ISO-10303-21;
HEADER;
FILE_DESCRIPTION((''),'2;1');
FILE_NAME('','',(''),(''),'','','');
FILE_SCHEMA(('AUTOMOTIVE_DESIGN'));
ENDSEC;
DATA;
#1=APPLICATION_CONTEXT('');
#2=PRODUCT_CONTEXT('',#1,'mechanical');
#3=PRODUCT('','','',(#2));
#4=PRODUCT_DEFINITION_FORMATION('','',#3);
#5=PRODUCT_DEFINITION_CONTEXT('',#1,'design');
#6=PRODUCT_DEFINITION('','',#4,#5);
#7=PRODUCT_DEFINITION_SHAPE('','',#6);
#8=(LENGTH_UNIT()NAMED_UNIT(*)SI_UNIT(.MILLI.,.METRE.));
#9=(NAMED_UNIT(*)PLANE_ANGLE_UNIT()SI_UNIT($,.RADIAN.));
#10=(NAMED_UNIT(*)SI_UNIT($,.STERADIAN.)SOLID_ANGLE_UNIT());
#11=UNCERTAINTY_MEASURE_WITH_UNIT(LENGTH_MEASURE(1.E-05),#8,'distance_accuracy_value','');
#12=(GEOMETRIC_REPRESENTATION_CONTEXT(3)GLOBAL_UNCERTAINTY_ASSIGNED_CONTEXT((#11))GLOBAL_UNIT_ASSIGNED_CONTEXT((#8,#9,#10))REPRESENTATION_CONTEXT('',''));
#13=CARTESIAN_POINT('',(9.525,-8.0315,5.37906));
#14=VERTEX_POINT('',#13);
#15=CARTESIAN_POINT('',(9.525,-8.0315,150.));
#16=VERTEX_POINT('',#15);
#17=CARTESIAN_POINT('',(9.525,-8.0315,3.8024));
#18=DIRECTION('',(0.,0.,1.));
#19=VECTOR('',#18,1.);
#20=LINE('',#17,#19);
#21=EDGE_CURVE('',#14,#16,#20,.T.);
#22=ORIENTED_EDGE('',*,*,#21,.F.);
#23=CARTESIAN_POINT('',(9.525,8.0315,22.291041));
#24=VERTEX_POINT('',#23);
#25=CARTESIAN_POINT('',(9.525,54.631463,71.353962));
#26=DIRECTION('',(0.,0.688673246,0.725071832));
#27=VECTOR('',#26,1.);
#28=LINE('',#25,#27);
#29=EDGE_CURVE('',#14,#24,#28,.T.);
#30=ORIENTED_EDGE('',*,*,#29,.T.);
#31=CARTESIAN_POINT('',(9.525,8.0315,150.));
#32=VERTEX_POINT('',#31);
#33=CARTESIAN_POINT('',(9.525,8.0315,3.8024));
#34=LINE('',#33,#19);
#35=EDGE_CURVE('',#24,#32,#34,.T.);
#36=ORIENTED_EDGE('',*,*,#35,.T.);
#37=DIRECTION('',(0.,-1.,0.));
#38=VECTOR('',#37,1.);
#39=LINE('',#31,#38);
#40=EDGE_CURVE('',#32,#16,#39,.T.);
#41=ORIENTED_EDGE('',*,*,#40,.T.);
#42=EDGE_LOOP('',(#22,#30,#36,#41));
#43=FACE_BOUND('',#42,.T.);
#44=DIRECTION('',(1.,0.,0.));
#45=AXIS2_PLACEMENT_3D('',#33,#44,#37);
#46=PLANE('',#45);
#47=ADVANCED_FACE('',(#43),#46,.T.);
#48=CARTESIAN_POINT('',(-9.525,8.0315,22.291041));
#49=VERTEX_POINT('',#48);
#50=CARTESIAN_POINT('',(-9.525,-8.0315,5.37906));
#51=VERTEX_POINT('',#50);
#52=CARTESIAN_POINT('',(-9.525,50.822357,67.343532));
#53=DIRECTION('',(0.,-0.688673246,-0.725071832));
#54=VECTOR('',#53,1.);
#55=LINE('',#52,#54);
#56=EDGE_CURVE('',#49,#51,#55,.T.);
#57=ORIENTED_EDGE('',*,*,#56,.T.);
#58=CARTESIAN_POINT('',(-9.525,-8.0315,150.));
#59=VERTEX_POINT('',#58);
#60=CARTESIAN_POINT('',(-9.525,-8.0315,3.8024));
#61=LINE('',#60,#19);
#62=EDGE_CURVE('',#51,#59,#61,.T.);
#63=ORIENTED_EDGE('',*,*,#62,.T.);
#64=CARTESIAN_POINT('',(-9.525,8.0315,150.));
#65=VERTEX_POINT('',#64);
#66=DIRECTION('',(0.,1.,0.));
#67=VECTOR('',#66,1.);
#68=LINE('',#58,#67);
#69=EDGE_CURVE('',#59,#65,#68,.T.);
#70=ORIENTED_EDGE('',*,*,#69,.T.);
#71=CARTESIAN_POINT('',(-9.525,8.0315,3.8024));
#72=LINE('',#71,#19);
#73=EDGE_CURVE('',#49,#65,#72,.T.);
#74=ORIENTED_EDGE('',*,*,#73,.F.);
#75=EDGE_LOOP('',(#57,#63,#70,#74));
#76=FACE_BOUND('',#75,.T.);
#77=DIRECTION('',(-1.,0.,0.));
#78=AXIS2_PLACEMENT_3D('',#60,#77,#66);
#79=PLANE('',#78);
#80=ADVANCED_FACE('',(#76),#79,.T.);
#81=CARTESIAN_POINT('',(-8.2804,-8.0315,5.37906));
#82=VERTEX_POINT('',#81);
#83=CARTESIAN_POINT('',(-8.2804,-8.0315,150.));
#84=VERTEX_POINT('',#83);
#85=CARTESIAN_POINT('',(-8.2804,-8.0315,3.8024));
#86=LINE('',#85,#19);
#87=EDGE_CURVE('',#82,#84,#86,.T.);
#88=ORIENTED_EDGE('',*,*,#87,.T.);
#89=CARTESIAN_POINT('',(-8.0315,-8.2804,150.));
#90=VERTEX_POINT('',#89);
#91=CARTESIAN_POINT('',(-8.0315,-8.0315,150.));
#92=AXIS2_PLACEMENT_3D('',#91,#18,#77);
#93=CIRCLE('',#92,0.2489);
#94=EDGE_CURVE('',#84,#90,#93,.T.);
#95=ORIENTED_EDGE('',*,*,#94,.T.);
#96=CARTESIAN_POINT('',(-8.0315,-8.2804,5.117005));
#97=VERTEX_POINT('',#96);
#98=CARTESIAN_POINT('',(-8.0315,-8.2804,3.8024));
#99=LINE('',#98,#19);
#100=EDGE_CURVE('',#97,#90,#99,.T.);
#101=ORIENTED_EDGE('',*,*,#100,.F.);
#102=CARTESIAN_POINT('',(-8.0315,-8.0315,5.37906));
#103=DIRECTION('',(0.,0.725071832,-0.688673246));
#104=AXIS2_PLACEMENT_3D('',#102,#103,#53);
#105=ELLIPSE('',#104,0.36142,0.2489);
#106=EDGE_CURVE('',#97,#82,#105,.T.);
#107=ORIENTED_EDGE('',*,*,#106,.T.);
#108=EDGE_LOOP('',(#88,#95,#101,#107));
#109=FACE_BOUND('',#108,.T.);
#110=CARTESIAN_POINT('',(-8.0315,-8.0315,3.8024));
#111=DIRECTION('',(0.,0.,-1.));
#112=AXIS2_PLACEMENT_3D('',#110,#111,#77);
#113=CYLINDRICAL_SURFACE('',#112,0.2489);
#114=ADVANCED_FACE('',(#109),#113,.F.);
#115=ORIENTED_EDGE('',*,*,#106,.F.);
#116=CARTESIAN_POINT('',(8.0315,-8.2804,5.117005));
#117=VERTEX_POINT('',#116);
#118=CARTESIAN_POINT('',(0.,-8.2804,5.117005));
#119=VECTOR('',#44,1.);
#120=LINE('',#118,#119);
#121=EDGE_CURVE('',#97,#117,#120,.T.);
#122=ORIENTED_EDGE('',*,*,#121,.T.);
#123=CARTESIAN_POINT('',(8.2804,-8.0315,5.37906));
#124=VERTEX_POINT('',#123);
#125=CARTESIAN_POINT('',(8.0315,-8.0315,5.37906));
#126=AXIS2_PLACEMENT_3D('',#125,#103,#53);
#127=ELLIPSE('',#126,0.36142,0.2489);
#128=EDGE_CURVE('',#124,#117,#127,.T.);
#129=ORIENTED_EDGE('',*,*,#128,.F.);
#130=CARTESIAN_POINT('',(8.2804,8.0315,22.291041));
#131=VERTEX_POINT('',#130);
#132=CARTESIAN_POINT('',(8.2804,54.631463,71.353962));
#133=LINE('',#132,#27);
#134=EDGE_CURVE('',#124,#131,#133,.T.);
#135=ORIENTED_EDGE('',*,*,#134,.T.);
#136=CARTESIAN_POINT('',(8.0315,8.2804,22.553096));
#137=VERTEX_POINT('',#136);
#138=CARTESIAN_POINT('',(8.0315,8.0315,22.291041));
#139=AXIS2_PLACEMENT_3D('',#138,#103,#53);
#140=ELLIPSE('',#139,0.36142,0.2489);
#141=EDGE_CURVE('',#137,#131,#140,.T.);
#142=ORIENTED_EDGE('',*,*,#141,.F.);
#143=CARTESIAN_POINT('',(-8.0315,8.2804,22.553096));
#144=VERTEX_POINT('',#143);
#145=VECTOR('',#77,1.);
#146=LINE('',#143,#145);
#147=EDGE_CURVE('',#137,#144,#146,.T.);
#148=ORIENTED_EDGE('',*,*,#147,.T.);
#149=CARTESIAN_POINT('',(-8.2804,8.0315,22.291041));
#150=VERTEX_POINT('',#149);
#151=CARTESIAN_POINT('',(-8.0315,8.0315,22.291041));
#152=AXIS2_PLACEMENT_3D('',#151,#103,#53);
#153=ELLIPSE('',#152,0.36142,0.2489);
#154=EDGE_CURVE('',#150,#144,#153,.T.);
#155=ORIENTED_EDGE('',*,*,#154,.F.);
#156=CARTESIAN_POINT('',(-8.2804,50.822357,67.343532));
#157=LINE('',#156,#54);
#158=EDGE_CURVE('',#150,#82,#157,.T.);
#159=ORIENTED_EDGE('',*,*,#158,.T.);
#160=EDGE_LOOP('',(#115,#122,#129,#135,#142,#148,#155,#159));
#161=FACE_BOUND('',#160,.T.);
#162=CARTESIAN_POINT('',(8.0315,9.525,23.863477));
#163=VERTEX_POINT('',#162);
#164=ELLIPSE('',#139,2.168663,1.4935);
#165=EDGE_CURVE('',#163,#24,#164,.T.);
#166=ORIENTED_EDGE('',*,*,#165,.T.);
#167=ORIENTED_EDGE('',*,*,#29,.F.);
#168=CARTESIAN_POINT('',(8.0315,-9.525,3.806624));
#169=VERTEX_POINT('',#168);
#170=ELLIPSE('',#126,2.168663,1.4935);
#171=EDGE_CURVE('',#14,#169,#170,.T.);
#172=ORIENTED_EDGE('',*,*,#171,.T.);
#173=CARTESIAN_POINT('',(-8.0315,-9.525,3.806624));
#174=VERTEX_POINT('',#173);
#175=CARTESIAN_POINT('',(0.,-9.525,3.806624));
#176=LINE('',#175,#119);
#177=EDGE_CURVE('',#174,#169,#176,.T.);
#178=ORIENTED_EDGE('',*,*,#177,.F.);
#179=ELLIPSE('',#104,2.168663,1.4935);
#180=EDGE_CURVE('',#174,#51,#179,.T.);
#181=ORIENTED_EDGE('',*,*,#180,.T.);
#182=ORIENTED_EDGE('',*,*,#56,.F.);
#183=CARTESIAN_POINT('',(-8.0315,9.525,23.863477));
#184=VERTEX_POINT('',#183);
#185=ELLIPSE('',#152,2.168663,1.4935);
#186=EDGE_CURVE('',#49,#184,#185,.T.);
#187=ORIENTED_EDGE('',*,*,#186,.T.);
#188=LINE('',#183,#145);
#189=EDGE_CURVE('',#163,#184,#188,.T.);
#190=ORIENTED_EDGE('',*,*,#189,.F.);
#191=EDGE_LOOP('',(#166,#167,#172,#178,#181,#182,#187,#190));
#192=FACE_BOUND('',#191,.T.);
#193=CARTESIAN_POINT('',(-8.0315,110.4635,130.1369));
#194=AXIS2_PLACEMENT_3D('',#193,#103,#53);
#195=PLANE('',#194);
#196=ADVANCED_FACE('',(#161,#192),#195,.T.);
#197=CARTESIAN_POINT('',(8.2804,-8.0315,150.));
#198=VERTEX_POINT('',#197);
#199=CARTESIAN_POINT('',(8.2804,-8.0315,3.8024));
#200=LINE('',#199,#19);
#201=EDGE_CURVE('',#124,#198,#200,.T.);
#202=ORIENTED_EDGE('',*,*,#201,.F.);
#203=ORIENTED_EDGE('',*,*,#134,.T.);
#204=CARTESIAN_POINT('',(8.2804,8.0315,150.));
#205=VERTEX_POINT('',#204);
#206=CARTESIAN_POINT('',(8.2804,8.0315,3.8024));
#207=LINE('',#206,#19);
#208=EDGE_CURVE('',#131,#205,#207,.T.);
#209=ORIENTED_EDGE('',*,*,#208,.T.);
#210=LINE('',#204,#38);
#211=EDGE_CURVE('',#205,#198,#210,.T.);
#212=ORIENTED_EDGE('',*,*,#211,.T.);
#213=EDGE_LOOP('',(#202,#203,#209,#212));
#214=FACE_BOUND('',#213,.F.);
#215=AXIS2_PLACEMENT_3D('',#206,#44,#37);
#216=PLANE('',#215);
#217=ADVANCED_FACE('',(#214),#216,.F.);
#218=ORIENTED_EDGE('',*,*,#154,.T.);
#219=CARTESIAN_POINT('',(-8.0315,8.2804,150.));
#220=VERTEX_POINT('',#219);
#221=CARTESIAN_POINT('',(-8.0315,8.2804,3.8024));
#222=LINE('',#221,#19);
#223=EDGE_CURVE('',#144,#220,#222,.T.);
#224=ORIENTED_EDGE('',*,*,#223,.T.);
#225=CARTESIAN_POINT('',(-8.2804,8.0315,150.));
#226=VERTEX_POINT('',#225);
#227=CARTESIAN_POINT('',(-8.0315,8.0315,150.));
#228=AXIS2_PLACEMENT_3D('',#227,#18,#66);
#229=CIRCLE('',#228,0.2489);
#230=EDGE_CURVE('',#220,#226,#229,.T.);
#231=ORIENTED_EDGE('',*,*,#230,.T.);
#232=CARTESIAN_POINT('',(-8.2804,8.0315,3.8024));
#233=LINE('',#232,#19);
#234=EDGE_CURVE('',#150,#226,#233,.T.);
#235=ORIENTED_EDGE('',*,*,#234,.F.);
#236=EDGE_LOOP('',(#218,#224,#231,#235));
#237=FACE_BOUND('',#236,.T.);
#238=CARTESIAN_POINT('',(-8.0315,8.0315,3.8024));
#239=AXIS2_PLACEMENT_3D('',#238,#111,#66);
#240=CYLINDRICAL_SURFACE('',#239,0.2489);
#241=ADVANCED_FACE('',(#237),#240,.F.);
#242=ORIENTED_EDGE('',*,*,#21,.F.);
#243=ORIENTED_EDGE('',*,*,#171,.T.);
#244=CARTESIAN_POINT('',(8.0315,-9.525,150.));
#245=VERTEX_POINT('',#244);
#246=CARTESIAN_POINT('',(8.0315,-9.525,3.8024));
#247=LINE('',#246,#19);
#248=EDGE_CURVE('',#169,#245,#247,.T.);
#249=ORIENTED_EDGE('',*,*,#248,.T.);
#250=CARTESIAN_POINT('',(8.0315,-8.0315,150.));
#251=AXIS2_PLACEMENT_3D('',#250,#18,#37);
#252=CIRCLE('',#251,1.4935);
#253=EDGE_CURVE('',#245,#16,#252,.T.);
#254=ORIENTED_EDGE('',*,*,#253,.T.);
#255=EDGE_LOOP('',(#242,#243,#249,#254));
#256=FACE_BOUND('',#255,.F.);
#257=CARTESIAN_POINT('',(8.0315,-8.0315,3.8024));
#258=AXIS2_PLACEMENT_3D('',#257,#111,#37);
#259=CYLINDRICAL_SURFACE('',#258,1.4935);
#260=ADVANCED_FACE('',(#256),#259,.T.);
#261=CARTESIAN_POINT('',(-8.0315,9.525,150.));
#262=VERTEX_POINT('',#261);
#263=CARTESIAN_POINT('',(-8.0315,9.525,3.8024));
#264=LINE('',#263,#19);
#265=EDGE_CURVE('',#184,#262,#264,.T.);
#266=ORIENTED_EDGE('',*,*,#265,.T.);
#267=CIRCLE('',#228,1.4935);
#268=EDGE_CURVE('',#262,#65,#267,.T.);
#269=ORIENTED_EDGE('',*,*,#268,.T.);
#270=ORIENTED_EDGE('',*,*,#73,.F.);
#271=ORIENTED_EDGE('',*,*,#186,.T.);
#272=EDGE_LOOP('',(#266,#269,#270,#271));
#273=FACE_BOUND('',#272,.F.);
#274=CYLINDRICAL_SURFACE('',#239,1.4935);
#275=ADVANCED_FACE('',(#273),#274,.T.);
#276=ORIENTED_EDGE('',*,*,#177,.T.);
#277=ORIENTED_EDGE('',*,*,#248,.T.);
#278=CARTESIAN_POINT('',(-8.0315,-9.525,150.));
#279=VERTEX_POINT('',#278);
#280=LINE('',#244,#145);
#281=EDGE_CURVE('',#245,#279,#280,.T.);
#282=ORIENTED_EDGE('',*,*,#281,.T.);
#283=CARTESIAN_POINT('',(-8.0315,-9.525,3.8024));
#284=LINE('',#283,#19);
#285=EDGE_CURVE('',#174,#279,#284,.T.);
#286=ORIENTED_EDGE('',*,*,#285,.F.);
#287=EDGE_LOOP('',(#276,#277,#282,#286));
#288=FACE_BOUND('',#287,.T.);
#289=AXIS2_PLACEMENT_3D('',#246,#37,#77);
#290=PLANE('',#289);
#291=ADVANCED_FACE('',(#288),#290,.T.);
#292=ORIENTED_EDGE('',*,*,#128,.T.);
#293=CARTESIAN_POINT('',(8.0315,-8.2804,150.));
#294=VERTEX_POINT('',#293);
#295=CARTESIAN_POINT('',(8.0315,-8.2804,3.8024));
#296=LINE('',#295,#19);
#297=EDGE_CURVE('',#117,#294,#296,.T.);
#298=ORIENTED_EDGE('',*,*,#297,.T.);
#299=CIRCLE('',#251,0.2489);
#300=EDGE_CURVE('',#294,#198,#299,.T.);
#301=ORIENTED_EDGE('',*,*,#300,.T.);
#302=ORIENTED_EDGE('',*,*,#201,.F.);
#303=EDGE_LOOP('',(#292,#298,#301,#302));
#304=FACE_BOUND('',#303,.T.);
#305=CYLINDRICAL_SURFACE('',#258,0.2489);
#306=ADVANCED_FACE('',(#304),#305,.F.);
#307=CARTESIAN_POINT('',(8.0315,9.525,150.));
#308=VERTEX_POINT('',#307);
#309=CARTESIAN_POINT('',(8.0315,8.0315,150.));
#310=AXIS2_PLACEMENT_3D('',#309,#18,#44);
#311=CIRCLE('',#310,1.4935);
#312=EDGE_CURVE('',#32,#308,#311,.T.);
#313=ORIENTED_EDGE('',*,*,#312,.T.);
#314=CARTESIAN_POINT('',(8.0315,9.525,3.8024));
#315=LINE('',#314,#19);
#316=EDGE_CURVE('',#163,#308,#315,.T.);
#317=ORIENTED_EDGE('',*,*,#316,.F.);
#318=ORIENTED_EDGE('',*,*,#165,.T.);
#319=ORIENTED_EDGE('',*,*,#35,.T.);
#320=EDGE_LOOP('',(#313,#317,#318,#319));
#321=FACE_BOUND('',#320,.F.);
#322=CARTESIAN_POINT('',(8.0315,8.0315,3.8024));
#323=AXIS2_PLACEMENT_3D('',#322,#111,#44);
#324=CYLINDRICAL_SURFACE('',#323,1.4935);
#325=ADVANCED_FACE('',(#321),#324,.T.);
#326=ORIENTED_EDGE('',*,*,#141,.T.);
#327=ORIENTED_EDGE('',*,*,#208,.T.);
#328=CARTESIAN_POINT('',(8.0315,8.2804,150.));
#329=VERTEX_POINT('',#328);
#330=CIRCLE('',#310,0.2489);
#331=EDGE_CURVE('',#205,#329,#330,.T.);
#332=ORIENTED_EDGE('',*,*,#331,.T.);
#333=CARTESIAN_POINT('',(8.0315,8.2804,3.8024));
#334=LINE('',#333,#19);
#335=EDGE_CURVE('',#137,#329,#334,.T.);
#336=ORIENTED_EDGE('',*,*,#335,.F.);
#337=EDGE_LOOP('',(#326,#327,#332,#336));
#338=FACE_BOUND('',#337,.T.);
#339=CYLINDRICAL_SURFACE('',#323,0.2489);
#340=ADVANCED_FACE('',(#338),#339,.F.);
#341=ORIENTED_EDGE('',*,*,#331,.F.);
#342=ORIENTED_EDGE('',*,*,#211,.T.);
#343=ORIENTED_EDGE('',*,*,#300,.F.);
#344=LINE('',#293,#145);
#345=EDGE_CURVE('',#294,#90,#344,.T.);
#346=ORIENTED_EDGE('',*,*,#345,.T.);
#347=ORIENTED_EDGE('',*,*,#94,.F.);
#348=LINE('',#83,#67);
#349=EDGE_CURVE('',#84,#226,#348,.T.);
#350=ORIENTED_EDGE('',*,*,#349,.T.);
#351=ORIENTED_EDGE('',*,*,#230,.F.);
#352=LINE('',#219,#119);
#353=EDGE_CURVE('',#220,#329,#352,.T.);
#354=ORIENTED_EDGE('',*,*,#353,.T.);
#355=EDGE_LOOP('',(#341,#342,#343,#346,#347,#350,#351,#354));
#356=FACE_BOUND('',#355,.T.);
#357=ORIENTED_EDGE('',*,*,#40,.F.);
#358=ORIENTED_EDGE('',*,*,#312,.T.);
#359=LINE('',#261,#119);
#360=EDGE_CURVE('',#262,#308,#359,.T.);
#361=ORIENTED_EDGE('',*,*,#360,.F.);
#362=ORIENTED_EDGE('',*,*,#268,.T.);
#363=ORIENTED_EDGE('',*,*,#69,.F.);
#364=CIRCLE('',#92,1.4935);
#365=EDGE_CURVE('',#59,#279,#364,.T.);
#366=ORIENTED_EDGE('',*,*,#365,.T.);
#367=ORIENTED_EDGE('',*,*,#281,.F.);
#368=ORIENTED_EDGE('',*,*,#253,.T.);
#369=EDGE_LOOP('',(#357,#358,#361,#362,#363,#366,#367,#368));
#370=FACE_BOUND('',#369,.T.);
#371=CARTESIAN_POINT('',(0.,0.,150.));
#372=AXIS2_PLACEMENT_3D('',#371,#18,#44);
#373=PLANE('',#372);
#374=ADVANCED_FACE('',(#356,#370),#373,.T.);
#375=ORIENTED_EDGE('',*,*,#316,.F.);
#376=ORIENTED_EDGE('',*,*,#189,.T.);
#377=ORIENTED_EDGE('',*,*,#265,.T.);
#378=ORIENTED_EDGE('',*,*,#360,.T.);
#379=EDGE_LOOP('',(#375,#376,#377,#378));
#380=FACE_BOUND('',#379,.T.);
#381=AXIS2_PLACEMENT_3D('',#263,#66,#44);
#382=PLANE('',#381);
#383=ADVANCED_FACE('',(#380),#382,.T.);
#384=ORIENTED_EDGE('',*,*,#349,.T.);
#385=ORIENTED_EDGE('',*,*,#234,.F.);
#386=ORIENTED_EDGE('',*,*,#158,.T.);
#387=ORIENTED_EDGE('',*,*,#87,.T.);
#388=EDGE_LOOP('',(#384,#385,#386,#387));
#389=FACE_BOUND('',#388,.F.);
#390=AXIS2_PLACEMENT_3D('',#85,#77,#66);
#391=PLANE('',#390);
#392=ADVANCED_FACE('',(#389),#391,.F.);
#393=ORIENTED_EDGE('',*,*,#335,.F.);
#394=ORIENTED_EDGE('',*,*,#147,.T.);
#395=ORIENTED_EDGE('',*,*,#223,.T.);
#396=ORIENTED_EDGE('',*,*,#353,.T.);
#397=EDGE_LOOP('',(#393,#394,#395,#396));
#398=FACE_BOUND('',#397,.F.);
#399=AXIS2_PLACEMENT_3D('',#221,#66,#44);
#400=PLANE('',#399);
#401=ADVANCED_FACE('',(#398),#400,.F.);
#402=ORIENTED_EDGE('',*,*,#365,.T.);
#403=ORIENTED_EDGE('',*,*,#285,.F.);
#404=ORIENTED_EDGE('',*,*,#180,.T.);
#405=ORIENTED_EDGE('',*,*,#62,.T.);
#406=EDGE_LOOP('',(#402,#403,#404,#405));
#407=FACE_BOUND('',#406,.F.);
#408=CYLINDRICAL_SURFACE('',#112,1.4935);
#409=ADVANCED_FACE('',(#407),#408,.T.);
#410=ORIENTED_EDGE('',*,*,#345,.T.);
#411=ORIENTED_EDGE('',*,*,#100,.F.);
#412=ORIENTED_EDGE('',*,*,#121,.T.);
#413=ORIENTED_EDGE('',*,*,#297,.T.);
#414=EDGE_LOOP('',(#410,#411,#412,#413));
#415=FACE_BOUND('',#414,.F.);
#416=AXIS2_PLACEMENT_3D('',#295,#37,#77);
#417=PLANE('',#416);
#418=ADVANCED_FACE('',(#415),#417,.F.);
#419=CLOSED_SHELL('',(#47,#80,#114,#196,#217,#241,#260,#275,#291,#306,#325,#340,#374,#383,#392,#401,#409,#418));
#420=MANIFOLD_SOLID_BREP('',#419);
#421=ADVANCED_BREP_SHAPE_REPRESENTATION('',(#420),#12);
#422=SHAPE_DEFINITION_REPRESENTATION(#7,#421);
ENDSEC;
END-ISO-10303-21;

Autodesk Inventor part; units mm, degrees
ref_plane "Start Plane" through (0, 0, 3.8024) normal (0, 0, 1) x (1, 0, 0)
ref_plane "End Plane" through (0, 0, 150) normal (0, 0, 1) x (1, 0, 0)
sketch "Sketch" plane through (0, 0, 0) normal (0, 0, 1) x (1, 0, 0)
  line L0 (-9.525, -8.0315) -> (-9.525, 8.0315)
  line L1 (-8.0315, 9.525) -> (8.0315, 9.525)
  line L2 (9.525, 8.0315) -> (9.525, -8.0315)
  line L3 (8.0315, -9.525) -> (-8.0315, -9.525)
  arc A0 (-9.525, -8.0315) -> (-8.0315, -9.525) centre (-8.0315, -8.0315) ccw
  arc A1 (-8.0315, 9.525) -> (-9.525, 8.0315) centre (-8.0315, 8.0315) ccw
  arc A2 (9.525, 8.0315) -> (8.0315, 9.525) centre (8.0315, 8.0315) ccw
  arc A3 (8.0315, -9.525) -> (9.525, -8.0315) centre (8.0315, -8.0315) ccw
  arc A4 (-8.0315, 8.2804) -> (-8.2804, 8.0315) centre (-8.0315, 8.0315) ccw
  line L4 (-8.0315, 8.2804) -> (8.0315, 8.2804)
  arc A5 (8.2804, 8.0315) -> (8.0315, 8.2804) centre (8.0315, 8.0315) ccw
  line L5 (8.2804, 8.0315) -> (8.2804, -8.0315)
  arc A6 (8.0315, -8.2804) -> (8.2804, -8.0315) centre (8.0315, -8.0315) ccw
  line L6 (8.0315, -8.2804) -> (-8.0315, -8.2804)
  arc A7 (-8.2804, -8.0315) -> (-8.0315, -8.2804) centre (-8.0315, -8.0315) ccw
  line L7 (-8.2804, -8.0315) -> (-8.2804, 8.0315)
  line L8 (0, 13.768) -> (0, -13.768) construction
  line L9 (-13.8012, 0) -> (13.9669, 0) construction
  dimension "d10" = 19.05
  dimension "d11" = 19.05
  dimension "d12" = 1.2446
  dimension "d15" = 9.525
  dimension "d16" = 9.525
  dimension "d17" = 1.4935
extrude "Body" add sketch "Sketch" along normal up to surface (146.1976 mm away) from surface at 3.8024
sketch "Sketch3" plane through (0, 0, 0) normal (0, 0, 1) x (1, 0, 0)
  line L0 (0, 0) -> (10, 0)
ref_plane "Work Plane3" through (0, 0, 0) normal (0, -1, 0) x (1, 0, 0)
ref_plane "Work Plane4" through (-8.0315, 110.4635, 130.1369) normal (0, 0.7251, -0.6887) x (1, 0, 0)
split "Split1" plane through (-8.0315, 110.4635, 130.1369) removes the side toward (0, 0.7251, -0.6887)
sketch "Sketch4" plane through (0, 0, 0) normal (0, -1, 0) x (1, 0, 0)
  line L0 (-2, 3.8024) -> (12, 3.8024) projected
  line L1 (-2, 150) -> (12, 150) projected
  dimension "d19" = 146.1976
equation "\"d10\" = G_H"
equation "\"d11\" = G_W"
equation "\"d12\" = G_T"
equation "\"d15\" = 0.5 * d10"
equation "\"d16\" = 0.5 * d11"
equation "\"d17\" = G_IR"
equation "\"d3\" = G_L"
equation "\"G_W\" = 19.05"
equation "\"G_H\" = 19.05"
equation "\"G_T\" = 1.2446"
equation "\"G_IR\" = 1.2 * G_T"
equation "\"G_L\" = d19"
equation "\"G_OFFSET_START\" = -3.80242"
equation "\"G_OFFSET_END\" = 0"
equation "\"d13\" = -G_OFFSET_START"
equation "\"d14\" = G_OFFSET_END + B_L"
equation "\"B_L\" = 150"
properties part number "ASTM A513 - 3/4 x 3/4 x 49/1000 - 5.756" material "Steel, Mild"
